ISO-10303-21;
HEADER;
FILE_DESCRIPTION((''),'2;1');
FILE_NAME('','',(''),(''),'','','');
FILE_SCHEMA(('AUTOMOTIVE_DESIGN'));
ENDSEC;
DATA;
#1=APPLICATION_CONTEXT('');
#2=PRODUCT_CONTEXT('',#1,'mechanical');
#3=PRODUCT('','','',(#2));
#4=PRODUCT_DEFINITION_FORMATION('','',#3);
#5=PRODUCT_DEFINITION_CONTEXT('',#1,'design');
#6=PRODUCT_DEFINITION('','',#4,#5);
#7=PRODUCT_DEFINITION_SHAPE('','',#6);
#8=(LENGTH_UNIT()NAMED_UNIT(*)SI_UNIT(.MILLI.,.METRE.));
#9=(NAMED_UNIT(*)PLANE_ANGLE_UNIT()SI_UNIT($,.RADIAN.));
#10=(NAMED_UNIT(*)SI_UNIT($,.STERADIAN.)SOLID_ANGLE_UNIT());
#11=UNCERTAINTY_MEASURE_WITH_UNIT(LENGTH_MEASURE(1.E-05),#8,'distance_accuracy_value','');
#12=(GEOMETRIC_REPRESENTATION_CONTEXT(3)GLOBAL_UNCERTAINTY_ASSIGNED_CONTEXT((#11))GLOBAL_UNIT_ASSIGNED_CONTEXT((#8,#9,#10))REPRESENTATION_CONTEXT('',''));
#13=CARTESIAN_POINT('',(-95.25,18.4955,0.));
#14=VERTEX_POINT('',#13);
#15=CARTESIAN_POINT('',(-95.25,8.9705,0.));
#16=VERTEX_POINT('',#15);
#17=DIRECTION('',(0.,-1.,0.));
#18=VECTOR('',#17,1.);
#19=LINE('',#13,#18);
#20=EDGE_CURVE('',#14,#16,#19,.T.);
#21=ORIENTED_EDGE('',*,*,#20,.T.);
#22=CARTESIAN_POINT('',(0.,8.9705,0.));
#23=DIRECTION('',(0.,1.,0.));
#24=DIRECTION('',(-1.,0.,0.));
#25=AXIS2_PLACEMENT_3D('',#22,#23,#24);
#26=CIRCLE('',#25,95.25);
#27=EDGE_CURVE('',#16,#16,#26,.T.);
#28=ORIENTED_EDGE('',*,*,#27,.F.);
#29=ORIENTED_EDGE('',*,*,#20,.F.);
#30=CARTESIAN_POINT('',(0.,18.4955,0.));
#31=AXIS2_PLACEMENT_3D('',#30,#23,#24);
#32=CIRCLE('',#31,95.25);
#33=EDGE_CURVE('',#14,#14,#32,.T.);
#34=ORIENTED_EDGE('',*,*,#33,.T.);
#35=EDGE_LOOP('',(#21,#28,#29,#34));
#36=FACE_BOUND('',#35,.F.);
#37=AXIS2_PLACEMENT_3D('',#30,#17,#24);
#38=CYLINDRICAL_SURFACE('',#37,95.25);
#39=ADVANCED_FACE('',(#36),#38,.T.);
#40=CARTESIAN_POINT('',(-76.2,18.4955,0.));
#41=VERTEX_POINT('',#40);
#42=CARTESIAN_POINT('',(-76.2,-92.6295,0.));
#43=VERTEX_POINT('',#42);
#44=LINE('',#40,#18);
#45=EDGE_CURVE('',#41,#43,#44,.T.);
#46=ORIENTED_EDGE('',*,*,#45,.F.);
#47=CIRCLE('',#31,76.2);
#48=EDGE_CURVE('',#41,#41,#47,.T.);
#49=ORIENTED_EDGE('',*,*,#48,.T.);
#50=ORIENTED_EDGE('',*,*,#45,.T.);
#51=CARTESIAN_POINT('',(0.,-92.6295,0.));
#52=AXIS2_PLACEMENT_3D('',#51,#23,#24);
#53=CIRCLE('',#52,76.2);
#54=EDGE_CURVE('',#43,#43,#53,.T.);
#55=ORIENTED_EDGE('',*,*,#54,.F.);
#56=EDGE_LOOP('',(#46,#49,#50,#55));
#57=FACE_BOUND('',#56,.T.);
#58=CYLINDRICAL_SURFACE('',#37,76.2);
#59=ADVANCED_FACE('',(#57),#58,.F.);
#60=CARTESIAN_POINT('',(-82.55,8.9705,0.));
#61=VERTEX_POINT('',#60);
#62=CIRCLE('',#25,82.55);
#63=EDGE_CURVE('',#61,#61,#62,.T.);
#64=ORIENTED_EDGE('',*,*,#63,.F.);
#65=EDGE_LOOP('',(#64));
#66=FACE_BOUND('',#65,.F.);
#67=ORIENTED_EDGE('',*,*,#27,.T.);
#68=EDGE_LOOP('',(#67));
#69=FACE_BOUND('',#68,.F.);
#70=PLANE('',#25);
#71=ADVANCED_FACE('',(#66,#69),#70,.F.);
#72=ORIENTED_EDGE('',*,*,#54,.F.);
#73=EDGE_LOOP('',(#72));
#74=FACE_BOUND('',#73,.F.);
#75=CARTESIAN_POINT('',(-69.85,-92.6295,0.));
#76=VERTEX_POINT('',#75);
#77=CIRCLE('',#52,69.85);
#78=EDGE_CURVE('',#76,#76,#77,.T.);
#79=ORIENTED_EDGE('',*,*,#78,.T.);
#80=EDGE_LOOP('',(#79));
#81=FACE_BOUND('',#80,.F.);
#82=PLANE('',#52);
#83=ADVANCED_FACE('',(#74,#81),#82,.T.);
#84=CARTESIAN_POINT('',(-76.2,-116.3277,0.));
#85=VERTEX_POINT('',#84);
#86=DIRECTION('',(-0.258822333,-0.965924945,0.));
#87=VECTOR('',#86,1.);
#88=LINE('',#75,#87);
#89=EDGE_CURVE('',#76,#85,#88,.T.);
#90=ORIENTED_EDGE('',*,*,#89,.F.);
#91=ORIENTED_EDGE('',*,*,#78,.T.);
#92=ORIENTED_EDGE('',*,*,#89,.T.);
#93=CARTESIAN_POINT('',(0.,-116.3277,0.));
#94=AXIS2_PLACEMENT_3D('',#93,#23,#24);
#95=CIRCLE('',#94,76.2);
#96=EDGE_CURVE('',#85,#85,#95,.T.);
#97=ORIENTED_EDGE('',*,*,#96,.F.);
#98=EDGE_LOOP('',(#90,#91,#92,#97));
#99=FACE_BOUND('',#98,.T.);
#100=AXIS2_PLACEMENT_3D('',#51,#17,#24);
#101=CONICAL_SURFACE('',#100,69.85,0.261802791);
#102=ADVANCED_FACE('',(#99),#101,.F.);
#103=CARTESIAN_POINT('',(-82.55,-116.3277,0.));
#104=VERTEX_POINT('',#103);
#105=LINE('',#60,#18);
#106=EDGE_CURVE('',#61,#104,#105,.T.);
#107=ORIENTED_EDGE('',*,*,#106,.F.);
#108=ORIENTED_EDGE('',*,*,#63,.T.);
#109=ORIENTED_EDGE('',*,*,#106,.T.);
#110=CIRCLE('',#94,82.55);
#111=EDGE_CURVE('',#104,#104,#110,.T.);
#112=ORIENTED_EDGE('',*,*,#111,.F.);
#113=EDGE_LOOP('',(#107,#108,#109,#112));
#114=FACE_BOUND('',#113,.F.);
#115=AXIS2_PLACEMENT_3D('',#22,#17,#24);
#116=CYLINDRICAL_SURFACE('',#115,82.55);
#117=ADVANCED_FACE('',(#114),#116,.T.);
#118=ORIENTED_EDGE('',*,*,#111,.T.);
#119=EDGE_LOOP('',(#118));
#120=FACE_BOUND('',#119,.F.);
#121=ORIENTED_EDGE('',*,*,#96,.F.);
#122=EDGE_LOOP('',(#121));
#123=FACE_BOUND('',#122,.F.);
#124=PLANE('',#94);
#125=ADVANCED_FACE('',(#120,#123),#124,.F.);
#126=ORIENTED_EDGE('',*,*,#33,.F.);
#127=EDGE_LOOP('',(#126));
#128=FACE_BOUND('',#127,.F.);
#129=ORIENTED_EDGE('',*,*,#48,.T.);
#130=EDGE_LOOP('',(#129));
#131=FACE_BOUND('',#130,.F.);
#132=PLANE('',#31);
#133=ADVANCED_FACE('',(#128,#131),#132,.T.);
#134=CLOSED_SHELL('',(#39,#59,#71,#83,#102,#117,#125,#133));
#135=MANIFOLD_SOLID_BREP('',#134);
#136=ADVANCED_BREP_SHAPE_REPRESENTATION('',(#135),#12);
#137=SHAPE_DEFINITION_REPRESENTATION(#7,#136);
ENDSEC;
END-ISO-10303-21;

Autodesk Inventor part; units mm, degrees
ref_plane "YZ Plane" through (0, 0, 0) normal (1, 0, 0) x (0, 1, 0)
ref_plane "XZ Plane" through (0, 0, 0) normal (0, 1, 0) x (-1, 0, 0)
ref_plane "XY Plane" through (0, 0, 0) normal (0, 0, 1) x (1, 0, 0)
sketch "Sketch1" plane through (0, 0, 0) normal (0, 0, 1) x (1, 0, 0)
  line L0 (0, 0) -> (0, 42.0297) construction
  line L1 (-76.2, 18.4955) -> (-95.25, 18.4955)
  line L2 (-95.25, 18.4955) -> (-95.25, 8.9705)
  line L3 (-95.25, 8.9705) -> (-82.55, 8.9705)
  line L4 (-82.55, 8.9705) -> (-82.55, -116.3277)
  line L5 (-82.55, -116.3277) -> (-76.2, -116.3277)
  line L6 (-69.85, -92.6295) -> (-76.2, -92.6295)
  line L7 (-76.2, 18.4955) -> (-76.2, -92.6295)
  line L8 (-69.85, -92.6295) -> (-76.2, -116.3277)
  dimension "d2" = 19.05
  dimension "d3" = 9.525
  dimension "d4" = 125.2982
  dimension "d6" = 12.7
  dimension "d7" = 6.35
  dimension "d8" = 6.35
  dimension "d9" = 95.25
  dimension "d11" = 111.125
revolve "Revolution1" add sketch "Sketch1" angle 360 about axis through (0, 0, 0) along (0, 1, 0)
properties part number "Aluminum Carrier 8-inch v1" material "Aluminum 6061"
